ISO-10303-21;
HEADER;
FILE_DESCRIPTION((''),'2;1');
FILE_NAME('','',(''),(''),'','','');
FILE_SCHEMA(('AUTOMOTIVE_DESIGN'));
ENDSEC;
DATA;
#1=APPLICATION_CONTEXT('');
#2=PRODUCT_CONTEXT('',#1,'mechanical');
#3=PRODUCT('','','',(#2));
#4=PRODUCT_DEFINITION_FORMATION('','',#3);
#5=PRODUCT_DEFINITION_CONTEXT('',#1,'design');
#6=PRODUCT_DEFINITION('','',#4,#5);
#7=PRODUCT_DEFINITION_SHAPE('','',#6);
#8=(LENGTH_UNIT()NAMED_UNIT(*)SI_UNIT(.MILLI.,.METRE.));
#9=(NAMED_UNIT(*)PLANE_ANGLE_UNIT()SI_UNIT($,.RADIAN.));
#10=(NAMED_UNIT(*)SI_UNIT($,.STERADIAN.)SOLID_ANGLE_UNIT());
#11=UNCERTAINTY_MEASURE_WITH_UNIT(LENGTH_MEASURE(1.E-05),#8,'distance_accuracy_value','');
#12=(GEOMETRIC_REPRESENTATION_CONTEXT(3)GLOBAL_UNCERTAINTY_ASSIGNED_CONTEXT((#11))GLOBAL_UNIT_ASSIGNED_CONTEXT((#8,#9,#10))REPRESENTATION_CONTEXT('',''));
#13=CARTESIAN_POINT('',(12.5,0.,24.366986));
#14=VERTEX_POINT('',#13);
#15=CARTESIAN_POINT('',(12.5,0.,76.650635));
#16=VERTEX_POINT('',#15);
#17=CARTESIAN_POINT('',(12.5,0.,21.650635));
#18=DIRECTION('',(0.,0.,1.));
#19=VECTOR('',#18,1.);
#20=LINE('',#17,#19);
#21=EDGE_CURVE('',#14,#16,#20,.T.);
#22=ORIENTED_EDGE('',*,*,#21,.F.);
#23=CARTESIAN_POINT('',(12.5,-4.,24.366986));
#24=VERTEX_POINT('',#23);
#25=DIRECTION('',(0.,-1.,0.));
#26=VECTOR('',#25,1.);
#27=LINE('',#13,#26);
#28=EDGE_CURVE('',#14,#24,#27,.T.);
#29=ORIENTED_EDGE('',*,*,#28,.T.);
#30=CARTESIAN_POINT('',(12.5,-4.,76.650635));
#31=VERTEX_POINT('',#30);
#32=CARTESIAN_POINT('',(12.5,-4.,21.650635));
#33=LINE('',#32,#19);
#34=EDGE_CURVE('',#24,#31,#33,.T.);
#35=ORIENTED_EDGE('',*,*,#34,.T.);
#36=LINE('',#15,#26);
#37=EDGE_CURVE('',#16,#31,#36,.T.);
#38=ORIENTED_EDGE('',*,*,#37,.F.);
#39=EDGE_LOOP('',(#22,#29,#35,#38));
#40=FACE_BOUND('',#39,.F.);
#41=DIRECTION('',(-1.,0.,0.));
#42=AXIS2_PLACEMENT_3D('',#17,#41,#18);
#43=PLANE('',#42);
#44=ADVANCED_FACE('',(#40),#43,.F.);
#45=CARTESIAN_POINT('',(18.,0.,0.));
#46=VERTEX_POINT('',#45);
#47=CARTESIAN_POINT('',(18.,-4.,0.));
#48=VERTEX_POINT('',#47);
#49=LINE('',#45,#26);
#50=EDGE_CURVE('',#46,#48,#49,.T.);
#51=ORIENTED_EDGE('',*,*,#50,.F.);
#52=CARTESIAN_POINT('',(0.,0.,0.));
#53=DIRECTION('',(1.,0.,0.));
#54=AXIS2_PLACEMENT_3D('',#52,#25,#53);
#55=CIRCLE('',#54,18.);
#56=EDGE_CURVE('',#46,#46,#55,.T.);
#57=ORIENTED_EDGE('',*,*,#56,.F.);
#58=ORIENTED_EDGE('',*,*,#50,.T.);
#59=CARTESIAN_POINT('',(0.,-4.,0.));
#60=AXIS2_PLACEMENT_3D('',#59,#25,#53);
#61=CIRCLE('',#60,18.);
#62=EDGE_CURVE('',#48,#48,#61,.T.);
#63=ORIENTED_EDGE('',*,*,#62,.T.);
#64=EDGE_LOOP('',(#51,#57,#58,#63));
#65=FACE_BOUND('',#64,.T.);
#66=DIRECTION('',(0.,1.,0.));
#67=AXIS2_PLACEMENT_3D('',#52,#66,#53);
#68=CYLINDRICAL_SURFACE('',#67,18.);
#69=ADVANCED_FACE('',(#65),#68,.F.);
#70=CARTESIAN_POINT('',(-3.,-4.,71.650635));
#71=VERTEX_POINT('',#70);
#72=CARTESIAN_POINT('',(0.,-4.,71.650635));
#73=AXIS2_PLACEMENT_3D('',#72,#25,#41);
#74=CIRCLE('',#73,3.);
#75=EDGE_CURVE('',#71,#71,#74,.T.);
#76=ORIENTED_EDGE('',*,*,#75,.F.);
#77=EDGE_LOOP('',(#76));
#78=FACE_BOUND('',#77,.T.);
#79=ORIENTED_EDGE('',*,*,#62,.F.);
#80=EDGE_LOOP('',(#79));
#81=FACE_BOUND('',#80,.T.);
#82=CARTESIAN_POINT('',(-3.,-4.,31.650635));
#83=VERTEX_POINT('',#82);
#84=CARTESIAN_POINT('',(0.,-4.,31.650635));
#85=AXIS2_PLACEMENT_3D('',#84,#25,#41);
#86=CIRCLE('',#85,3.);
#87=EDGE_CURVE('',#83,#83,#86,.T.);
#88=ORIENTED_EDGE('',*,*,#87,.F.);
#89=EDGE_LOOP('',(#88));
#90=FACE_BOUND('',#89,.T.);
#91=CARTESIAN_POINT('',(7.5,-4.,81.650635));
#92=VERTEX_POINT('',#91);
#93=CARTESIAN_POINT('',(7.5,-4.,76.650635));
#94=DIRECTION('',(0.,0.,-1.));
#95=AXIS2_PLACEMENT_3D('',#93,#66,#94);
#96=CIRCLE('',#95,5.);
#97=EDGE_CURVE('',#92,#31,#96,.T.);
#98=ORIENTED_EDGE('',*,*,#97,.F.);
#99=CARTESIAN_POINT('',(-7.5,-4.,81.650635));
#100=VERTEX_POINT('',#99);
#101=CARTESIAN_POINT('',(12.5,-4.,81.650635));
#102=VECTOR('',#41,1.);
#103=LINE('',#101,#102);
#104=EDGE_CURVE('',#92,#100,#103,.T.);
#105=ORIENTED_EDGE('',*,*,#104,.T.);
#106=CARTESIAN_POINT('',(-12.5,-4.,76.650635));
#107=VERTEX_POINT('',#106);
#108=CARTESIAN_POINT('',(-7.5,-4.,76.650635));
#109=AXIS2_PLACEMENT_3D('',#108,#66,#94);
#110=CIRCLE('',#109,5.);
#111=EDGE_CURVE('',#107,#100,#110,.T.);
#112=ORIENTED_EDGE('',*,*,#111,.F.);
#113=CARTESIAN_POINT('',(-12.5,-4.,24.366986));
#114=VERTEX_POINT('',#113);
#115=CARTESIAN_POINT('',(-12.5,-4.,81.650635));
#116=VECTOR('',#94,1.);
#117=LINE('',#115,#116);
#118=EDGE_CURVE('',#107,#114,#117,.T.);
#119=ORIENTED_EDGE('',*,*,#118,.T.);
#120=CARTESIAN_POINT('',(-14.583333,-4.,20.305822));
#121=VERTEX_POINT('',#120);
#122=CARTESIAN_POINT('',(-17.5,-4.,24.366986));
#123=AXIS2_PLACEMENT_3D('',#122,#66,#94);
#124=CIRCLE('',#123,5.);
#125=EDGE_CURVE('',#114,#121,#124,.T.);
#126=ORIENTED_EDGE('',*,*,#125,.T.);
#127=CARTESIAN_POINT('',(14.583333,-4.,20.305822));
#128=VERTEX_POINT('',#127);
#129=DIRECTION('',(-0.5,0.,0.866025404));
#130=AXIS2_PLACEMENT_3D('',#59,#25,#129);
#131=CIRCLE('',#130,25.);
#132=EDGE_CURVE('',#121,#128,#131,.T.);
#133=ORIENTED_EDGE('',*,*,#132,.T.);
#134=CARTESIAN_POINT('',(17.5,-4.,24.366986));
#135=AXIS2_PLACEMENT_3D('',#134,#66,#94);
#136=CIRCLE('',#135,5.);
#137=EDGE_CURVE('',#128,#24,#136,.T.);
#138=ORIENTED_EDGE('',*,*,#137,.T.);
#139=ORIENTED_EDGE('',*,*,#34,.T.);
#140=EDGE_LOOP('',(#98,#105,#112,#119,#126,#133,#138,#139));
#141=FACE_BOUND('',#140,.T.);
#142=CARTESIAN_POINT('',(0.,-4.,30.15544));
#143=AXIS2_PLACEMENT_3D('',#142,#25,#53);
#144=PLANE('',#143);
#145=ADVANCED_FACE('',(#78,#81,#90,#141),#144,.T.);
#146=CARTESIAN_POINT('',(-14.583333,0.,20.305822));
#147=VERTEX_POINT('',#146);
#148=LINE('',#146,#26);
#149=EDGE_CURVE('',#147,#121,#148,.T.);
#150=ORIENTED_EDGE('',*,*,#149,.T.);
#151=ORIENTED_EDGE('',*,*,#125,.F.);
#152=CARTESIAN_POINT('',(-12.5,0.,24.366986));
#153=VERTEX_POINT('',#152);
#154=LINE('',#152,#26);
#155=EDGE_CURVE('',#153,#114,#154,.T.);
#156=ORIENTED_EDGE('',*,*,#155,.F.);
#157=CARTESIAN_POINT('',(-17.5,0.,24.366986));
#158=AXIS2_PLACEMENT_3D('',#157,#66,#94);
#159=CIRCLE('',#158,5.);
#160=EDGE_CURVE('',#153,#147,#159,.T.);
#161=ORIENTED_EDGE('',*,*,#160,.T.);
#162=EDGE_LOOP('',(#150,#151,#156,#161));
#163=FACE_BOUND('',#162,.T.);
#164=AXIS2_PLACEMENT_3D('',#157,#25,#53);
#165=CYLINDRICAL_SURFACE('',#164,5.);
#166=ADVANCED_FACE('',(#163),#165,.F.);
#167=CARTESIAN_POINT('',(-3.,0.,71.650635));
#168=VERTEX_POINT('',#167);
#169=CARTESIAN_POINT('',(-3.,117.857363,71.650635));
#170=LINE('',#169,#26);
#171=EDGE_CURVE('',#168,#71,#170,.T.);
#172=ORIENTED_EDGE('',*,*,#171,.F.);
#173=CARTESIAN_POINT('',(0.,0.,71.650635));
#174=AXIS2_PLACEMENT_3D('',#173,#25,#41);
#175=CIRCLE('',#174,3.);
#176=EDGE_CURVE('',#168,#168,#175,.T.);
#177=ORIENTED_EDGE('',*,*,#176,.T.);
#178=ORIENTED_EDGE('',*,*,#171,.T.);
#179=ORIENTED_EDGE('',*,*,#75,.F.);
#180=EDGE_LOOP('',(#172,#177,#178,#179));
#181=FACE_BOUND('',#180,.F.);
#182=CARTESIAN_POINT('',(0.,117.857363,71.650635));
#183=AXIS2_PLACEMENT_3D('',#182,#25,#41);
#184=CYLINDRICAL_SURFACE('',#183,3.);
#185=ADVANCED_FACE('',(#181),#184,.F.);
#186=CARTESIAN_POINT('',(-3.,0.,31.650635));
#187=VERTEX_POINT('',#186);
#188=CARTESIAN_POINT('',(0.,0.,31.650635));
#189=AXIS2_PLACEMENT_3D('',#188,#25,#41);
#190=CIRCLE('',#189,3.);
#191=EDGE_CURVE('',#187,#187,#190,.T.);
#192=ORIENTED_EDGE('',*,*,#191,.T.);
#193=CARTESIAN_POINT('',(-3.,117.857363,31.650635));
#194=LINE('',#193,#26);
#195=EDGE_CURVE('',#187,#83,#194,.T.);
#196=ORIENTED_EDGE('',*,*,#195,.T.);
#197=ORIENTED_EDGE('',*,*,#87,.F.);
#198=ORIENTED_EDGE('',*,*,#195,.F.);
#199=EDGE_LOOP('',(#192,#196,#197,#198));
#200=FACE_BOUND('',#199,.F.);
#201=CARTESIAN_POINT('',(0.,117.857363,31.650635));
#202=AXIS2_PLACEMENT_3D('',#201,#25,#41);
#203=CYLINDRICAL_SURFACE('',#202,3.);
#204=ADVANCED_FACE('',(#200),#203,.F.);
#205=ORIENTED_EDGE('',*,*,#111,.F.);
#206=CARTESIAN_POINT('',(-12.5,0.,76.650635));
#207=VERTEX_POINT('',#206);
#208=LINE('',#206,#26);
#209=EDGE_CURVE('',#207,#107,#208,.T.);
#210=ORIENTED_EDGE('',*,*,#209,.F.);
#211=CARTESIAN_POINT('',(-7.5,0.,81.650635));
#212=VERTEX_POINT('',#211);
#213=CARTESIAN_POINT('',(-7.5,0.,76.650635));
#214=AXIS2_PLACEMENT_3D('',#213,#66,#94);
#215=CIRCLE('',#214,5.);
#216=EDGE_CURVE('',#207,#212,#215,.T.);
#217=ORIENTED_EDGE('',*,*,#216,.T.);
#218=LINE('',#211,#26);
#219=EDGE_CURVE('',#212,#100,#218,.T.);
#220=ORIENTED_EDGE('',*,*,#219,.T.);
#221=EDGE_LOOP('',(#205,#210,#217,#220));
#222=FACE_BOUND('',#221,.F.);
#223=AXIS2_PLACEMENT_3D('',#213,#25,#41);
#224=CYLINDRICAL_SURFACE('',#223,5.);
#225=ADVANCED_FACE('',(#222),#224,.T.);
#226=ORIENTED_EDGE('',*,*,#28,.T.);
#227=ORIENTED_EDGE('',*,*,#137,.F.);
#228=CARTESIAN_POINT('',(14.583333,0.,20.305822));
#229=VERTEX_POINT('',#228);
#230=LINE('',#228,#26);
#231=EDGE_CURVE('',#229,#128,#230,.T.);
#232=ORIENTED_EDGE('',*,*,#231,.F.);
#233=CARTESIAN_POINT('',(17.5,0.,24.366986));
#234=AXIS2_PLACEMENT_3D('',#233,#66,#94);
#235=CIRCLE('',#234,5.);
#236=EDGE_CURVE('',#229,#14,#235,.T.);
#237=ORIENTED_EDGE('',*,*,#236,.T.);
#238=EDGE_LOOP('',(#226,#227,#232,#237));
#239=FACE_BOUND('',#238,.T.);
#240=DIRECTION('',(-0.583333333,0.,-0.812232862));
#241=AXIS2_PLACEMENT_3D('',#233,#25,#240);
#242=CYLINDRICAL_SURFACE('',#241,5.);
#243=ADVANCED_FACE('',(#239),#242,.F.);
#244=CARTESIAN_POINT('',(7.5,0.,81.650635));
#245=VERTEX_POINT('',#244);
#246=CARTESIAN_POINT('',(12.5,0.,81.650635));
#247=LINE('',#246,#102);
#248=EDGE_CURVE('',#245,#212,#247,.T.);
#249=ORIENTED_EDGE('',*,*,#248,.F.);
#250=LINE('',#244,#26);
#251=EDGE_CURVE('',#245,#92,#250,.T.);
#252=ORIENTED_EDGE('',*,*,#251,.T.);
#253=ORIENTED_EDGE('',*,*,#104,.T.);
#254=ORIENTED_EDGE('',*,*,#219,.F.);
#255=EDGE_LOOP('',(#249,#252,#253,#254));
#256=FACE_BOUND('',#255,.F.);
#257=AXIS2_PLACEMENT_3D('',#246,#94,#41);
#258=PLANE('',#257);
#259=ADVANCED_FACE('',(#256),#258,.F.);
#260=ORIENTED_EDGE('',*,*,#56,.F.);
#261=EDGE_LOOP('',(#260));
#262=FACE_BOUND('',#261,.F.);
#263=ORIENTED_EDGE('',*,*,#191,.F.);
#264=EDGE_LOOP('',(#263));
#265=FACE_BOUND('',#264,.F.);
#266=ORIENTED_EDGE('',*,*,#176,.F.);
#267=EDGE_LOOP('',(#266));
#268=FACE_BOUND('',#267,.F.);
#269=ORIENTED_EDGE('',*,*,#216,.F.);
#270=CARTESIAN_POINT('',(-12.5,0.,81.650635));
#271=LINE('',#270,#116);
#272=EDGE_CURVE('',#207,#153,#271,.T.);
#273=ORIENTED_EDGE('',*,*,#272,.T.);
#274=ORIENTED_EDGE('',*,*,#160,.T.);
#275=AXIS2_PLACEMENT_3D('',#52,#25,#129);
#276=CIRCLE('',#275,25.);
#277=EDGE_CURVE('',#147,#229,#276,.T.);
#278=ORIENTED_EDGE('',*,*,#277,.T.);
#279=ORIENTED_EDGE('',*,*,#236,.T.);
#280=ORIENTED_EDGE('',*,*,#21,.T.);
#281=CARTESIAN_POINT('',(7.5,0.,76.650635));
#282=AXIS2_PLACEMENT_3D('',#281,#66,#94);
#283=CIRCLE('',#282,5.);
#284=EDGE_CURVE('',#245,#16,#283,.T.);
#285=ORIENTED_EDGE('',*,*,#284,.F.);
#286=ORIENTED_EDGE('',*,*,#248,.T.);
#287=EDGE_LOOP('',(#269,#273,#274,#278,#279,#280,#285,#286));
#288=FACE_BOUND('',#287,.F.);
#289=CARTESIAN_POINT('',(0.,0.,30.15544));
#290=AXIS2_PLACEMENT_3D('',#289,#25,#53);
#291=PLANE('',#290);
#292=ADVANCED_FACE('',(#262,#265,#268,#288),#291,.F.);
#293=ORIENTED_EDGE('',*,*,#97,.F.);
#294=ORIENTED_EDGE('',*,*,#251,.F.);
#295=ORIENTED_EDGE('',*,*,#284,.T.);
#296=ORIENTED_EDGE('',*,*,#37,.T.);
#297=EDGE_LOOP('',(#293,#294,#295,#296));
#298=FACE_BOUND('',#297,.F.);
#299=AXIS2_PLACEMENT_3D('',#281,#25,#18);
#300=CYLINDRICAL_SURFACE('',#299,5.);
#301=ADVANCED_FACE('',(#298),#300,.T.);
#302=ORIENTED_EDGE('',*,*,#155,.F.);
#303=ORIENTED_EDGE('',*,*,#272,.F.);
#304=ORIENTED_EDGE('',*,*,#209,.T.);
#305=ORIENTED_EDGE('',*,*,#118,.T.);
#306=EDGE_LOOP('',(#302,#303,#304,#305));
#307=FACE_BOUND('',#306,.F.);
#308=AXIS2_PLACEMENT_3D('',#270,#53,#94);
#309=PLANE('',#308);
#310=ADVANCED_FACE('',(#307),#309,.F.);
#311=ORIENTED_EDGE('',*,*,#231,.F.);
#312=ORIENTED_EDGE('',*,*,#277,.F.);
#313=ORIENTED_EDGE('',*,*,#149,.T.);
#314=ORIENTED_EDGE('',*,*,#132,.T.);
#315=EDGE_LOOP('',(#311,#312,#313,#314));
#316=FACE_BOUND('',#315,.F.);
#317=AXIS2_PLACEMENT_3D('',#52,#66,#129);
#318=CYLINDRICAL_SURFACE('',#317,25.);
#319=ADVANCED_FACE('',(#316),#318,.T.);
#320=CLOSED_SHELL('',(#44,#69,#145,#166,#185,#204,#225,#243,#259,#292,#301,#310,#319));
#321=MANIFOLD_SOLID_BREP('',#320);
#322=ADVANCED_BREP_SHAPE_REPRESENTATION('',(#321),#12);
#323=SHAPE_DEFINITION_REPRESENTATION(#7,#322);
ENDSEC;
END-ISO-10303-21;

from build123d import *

# Parameters (mm, degrees)
F0_R     = 18
F1_DEPTH = 4
F2_R     = 5
F3_D     = 6


with BuildPart() as f1:
    # F0 (on Front) → F1 (new body)
    with BuildSketch(Plane.XZ):
        with BuildLine():
            Line((-12.5, 81.6506350946), (-12.5, 21.6506350946))
            ThreePointArc((-12.5, 21.6506350946), (0, -25), (12.5, 21.6506350946))
            Line((12.5, 21.6506350946), (12.5, 81.6506350946))
            Line((12.5, 81.6506350946), (-12.5, 81.6506350946))
        make_face()
        Circle(F0_R, mode=Mode.SUBTRACT)
    extrude(amount=F1_DEPTH)

    # F2
    f2_edges = [f1.edges().sort_by_distance(p)[0] for p in [
        (12.5, -2, 81.650635),
        (12.5, -2, 21.650635),
        (-12.5, -2, 21.650635),
        (-12.5, -2, 81.650635),
    ]]
    fillet(f2_edges, radius=F2_R)

    # F3 (through all)
    with Locations(Plane(origin=(0, 0, 0), x_dir=(1, 0, 0), z_dir=(0, 1, 0))):
        with Locations((0, -31.6506350946), (0, -71.6506350946)):
            Hole(F3_D / 2)


solid = f1.part
